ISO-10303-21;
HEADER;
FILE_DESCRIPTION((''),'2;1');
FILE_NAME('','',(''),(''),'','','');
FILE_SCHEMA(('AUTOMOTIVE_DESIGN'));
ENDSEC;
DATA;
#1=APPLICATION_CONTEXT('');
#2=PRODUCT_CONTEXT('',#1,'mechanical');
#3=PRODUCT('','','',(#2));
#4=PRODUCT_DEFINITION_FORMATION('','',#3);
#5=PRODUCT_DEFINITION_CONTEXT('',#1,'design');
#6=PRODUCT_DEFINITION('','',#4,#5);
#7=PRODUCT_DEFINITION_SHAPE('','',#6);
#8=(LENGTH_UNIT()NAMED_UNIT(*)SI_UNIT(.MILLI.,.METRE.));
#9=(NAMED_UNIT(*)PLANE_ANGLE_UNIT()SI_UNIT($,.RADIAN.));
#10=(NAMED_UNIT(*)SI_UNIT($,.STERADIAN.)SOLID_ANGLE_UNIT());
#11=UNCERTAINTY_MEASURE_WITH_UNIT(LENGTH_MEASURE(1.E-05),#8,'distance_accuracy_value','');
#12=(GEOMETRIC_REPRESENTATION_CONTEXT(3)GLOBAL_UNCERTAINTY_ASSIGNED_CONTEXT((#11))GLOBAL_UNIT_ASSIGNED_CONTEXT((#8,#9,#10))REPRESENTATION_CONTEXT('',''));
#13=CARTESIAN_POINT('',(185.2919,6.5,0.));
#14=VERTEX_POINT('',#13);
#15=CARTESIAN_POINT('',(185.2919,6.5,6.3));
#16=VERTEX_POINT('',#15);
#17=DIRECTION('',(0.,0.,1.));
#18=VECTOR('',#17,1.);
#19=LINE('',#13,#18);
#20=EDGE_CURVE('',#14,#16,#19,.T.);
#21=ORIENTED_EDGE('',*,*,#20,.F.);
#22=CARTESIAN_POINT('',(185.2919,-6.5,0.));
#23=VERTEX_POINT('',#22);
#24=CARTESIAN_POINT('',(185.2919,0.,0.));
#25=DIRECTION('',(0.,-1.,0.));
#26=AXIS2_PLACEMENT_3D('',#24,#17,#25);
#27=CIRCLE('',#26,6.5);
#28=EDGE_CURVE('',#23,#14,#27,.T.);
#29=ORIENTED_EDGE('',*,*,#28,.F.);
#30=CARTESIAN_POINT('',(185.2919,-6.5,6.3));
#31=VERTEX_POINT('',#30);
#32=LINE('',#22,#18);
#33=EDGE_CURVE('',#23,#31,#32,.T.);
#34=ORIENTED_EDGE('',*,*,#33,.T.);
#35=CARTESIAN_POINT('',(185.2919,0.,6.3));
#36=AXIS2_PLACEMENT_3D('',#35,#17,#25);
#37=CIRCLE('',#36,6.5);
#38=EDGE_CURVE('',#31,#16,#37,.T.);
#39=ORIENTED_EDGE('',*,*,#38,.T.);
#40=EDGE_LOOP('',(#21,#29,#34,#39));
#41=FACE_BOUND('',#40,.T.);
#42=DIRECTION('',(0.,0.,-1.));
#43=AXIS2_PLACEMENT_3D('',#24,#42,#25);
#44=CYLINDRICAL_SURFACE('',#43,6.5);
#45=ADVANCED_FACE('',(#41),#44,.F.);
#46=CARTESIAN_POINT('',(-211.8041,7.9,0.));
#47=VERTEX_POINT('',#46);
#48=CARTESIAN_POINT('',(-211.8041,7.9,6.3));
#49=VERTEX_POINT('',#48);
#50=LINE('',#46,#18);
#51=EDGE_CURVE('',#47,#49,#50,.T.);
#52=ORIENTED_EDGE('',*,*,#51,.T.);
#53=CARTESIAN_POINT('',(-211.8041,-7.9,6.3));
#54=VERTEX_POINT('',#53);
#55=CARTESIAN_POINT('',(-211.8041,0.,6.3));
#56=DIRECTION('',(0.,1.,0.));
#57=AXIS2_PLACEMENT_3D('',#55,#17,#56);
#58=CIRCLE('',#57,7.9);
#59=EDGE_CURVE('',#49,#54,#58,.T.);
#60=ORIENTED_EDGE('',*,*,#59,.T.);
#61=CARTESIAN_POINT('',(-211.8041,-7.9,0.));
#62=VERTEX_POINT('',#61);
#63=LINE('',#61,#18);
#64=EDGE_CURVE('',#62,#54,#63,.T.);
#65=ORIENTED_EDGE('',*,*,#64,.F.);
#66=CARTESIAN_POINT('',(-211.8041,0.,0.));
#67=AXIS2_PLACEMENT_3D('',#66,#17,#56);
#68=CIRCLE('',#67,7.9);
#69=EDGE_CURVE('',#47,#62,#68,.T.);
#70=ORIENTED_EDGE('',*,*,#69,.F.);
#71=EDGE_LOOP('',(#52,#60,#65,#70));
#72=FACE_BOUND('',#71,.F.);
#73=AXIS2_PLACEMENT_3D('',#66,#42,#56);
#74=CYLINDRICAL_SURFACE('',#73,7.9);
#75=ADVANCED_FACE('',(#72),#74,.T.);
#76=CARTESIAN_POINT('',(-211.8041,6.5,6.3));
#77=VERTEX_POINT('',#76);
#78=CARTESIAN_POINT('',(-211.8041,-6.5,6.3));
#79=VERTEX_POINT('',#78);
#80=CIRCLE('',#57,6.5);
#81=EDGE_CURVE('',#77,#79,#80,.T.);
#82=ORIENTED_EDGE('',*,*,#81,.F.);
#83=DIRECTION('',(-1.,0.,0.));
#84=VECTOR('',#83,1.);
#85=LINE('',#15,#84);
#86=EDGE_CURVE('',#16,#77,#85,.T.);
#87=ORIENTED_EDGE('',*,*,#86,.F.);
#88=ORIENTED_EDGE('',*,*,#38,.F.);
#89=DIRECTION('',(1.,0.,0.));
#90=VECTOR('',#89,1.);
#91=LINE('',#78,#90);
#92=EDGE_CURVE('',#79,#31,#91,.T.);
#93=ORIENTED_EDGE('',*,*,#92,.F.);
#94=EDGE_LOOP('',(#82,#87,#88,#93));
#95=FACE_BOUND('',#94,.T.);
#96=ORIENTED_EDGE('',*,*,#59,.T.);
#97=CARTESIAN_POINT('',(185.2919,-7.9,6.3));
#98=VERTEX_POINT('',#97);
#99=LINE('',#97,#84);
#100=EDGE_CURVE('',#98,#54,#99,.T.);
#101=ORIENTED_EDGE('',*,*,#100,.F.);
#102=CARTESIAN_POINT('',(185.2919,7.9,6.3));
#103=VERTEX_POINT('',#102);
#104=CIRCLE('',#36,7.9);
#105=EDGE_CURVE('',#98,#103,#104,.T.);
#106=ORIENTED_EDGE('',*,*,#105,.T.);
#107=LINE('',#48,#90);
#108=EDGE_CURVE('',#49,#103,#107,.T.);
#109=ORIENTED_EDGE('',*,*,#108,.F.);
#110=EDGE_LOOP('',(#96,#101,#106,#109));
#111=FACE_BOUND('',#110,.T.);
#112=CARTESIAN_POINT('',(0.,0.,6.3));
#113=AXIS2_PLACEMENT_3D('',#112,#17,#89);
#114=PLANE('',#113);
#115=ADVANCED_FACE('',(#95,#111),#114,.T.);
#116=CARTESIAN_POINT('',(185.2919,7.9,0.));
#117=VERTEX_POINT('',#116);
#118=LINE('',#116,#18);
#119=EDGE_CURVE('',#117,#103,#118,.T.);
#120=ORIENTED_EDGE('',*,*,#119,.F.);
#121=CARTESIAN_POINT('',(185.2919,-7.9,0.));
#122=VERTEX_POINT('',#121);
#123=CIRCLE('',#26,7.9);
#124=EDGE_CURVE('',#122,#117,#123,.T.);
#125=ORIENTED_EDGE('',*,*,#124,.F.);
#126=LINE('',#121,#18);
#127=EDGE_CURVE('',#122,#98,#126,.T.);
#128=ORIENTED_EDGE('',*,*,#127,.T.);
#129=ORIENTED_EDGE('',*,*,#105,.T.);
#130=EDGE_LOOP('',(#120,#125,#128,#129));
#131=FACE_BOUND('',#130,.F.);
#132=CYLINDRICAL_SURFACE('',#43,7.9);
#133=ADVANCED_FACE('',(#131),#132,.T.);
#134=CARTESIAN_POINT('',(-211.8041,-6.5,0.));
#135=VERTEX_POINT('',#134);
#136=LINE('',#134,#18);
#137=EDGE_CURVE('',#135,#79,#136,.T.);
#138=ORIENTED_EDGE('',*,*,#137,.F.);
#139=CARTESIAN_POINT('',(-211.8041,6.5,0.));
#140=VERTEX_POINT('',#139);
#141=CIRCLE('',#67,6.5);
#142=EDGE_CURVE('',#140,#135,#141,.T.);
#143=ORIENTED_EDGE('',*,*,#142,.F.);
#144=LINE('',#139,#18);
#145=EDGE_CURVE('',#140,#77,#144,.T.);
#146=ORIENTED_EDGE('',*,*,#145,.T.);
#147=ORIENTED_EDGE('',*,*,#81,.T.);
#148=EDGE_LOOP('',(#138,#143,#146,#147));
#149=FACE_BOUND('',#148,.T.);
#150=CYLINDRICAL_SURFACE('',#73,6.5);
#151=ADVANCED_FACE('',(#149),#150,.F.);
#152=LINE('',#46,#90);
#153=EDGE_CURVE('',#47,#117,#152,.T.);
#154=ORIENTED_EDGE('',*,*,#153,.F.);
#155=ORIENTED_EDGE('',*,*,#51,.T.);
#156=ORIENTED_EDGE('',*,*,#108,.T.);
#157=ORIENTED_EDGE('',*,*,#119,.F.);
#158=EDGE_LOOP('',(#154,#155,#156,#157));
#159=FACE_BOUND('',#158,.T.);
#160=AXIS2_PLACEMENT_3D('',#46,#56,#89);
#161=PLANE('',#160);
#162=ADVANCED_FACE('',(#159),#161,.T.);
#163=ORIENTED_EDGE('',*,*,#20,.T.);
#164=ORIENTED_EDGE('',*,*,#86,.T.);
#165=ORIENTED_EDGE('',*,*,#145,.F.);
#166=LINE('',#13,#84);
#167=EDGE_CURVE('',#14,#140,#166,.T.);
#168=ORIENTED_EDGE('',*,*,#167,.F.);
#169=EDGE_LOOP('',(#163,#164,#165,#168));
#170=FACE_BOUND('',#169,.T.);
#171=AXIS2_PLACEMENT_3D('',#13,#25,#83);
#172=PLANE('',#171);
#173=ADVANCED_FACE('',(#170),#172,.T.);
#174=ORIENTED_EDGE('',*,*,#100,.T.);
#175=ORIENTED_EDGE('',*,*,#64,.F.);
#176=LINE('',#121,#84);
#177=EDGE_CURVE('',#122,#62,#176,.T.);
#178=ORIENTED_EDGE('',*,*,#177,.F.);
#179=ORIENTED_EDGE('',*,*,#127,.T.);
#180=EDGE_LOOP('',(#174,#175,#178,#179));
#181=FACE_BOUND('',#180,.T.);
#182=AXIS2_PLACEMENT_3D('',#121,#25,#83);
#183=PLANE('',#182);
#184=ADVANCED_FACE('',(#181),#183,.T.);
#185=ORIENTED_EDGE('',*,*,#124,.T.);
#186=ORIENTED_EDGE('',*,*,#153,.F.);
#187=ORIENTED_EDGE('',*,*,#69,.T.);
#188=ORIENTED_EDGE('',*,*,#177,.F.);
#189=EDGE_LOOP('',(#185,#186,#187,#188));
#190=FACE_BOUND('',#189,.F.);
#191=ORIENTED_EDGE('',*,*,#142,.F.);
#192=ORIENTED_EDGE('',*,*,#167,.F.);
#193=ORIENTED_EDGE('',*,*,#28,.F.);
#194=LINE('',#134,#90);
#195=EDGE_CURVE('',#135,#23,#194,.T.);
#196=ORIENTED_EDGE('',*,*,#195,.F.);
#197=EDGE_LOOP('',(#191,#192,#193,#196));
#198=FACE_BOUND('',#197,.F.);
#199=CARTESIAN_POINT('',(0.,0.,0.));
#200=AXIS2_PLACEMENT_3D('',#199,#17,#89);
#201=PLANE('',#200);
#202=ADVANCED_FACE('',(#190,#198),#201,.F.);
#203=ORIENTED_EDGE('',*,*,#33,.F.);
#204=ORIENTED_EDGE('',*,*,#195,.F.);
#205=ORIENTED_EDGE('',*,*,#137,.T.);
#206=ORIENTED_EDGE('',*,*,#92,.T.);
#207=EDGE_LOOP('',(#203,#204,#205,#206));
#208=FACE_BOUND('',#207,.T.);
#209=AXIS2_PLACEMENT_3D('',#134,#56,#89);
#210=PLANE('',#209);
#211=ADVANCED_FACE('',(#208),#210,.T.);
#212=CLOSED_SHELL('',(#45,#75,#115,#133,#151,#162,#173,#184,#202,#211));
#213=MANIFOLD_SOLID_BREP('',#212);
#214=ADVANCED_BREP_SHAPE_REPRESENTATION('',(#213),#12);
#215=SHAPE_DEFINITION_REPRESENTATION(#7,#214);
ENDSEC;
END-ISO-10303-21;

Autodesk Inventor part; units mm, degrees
ref_plane "YZ Plane" through (0, 0, 0) normal (1, 0, 0) x (0, 1, 0)
ref_plane "XZ Plane" through (0, 0, 0) normal (0, 1, 0) x (-1, 0, 0)
ref_plane "XY Plane" through (0, 0, 0) normal (0, 0, 1) x (1, 0, 0)
sketch "Szkic1" plane through (0, 0, 0) normal (0, 0, 1) x (1, 0, 0)
  line L0 (-211.8041, 0) -> (185.2919, 0) construction
  line L1 (-211.8041, -6.5) -> (185.2919, -6.5)
  line L2 (185.2919, 6.5) -> (-211.8041, 6.5)
  arc A0 (-211.8041, 6.5) -> (-211.8041, -6.5) centre (-211.8041, 0) ccw
  arc A1 (185.2919, -6.5) -> (185.2919, 6.5) centre (185.2919, 0) ccw
  line L3 (-211.8041, 7.9) -> (185.2919, 7.9)
  arc A2 (185.2919, -7.9) -> (185.2919, 7.9) centre (185.2919, 0) ccw
  line L4 (185.2919, -7.9) -> (-211.8041, -7.9)
  arc A3 (-211.8041, 7.9) -> (-211.8041, -7.9) centre (-211.8041, 0) ccw
  point P0 (0, 0)
  point P1 (-13.2561, 0)
  dimension "d0" = 198.548
  dimension "d1" = 13
  dimension "d2" = 1.4
extrude "Wyciągnięcie proste1" add sketch "Szkic1" along normal blind 6.3
properties part number "COTS_GENERIC_X_Axis_Timing_Belt"
